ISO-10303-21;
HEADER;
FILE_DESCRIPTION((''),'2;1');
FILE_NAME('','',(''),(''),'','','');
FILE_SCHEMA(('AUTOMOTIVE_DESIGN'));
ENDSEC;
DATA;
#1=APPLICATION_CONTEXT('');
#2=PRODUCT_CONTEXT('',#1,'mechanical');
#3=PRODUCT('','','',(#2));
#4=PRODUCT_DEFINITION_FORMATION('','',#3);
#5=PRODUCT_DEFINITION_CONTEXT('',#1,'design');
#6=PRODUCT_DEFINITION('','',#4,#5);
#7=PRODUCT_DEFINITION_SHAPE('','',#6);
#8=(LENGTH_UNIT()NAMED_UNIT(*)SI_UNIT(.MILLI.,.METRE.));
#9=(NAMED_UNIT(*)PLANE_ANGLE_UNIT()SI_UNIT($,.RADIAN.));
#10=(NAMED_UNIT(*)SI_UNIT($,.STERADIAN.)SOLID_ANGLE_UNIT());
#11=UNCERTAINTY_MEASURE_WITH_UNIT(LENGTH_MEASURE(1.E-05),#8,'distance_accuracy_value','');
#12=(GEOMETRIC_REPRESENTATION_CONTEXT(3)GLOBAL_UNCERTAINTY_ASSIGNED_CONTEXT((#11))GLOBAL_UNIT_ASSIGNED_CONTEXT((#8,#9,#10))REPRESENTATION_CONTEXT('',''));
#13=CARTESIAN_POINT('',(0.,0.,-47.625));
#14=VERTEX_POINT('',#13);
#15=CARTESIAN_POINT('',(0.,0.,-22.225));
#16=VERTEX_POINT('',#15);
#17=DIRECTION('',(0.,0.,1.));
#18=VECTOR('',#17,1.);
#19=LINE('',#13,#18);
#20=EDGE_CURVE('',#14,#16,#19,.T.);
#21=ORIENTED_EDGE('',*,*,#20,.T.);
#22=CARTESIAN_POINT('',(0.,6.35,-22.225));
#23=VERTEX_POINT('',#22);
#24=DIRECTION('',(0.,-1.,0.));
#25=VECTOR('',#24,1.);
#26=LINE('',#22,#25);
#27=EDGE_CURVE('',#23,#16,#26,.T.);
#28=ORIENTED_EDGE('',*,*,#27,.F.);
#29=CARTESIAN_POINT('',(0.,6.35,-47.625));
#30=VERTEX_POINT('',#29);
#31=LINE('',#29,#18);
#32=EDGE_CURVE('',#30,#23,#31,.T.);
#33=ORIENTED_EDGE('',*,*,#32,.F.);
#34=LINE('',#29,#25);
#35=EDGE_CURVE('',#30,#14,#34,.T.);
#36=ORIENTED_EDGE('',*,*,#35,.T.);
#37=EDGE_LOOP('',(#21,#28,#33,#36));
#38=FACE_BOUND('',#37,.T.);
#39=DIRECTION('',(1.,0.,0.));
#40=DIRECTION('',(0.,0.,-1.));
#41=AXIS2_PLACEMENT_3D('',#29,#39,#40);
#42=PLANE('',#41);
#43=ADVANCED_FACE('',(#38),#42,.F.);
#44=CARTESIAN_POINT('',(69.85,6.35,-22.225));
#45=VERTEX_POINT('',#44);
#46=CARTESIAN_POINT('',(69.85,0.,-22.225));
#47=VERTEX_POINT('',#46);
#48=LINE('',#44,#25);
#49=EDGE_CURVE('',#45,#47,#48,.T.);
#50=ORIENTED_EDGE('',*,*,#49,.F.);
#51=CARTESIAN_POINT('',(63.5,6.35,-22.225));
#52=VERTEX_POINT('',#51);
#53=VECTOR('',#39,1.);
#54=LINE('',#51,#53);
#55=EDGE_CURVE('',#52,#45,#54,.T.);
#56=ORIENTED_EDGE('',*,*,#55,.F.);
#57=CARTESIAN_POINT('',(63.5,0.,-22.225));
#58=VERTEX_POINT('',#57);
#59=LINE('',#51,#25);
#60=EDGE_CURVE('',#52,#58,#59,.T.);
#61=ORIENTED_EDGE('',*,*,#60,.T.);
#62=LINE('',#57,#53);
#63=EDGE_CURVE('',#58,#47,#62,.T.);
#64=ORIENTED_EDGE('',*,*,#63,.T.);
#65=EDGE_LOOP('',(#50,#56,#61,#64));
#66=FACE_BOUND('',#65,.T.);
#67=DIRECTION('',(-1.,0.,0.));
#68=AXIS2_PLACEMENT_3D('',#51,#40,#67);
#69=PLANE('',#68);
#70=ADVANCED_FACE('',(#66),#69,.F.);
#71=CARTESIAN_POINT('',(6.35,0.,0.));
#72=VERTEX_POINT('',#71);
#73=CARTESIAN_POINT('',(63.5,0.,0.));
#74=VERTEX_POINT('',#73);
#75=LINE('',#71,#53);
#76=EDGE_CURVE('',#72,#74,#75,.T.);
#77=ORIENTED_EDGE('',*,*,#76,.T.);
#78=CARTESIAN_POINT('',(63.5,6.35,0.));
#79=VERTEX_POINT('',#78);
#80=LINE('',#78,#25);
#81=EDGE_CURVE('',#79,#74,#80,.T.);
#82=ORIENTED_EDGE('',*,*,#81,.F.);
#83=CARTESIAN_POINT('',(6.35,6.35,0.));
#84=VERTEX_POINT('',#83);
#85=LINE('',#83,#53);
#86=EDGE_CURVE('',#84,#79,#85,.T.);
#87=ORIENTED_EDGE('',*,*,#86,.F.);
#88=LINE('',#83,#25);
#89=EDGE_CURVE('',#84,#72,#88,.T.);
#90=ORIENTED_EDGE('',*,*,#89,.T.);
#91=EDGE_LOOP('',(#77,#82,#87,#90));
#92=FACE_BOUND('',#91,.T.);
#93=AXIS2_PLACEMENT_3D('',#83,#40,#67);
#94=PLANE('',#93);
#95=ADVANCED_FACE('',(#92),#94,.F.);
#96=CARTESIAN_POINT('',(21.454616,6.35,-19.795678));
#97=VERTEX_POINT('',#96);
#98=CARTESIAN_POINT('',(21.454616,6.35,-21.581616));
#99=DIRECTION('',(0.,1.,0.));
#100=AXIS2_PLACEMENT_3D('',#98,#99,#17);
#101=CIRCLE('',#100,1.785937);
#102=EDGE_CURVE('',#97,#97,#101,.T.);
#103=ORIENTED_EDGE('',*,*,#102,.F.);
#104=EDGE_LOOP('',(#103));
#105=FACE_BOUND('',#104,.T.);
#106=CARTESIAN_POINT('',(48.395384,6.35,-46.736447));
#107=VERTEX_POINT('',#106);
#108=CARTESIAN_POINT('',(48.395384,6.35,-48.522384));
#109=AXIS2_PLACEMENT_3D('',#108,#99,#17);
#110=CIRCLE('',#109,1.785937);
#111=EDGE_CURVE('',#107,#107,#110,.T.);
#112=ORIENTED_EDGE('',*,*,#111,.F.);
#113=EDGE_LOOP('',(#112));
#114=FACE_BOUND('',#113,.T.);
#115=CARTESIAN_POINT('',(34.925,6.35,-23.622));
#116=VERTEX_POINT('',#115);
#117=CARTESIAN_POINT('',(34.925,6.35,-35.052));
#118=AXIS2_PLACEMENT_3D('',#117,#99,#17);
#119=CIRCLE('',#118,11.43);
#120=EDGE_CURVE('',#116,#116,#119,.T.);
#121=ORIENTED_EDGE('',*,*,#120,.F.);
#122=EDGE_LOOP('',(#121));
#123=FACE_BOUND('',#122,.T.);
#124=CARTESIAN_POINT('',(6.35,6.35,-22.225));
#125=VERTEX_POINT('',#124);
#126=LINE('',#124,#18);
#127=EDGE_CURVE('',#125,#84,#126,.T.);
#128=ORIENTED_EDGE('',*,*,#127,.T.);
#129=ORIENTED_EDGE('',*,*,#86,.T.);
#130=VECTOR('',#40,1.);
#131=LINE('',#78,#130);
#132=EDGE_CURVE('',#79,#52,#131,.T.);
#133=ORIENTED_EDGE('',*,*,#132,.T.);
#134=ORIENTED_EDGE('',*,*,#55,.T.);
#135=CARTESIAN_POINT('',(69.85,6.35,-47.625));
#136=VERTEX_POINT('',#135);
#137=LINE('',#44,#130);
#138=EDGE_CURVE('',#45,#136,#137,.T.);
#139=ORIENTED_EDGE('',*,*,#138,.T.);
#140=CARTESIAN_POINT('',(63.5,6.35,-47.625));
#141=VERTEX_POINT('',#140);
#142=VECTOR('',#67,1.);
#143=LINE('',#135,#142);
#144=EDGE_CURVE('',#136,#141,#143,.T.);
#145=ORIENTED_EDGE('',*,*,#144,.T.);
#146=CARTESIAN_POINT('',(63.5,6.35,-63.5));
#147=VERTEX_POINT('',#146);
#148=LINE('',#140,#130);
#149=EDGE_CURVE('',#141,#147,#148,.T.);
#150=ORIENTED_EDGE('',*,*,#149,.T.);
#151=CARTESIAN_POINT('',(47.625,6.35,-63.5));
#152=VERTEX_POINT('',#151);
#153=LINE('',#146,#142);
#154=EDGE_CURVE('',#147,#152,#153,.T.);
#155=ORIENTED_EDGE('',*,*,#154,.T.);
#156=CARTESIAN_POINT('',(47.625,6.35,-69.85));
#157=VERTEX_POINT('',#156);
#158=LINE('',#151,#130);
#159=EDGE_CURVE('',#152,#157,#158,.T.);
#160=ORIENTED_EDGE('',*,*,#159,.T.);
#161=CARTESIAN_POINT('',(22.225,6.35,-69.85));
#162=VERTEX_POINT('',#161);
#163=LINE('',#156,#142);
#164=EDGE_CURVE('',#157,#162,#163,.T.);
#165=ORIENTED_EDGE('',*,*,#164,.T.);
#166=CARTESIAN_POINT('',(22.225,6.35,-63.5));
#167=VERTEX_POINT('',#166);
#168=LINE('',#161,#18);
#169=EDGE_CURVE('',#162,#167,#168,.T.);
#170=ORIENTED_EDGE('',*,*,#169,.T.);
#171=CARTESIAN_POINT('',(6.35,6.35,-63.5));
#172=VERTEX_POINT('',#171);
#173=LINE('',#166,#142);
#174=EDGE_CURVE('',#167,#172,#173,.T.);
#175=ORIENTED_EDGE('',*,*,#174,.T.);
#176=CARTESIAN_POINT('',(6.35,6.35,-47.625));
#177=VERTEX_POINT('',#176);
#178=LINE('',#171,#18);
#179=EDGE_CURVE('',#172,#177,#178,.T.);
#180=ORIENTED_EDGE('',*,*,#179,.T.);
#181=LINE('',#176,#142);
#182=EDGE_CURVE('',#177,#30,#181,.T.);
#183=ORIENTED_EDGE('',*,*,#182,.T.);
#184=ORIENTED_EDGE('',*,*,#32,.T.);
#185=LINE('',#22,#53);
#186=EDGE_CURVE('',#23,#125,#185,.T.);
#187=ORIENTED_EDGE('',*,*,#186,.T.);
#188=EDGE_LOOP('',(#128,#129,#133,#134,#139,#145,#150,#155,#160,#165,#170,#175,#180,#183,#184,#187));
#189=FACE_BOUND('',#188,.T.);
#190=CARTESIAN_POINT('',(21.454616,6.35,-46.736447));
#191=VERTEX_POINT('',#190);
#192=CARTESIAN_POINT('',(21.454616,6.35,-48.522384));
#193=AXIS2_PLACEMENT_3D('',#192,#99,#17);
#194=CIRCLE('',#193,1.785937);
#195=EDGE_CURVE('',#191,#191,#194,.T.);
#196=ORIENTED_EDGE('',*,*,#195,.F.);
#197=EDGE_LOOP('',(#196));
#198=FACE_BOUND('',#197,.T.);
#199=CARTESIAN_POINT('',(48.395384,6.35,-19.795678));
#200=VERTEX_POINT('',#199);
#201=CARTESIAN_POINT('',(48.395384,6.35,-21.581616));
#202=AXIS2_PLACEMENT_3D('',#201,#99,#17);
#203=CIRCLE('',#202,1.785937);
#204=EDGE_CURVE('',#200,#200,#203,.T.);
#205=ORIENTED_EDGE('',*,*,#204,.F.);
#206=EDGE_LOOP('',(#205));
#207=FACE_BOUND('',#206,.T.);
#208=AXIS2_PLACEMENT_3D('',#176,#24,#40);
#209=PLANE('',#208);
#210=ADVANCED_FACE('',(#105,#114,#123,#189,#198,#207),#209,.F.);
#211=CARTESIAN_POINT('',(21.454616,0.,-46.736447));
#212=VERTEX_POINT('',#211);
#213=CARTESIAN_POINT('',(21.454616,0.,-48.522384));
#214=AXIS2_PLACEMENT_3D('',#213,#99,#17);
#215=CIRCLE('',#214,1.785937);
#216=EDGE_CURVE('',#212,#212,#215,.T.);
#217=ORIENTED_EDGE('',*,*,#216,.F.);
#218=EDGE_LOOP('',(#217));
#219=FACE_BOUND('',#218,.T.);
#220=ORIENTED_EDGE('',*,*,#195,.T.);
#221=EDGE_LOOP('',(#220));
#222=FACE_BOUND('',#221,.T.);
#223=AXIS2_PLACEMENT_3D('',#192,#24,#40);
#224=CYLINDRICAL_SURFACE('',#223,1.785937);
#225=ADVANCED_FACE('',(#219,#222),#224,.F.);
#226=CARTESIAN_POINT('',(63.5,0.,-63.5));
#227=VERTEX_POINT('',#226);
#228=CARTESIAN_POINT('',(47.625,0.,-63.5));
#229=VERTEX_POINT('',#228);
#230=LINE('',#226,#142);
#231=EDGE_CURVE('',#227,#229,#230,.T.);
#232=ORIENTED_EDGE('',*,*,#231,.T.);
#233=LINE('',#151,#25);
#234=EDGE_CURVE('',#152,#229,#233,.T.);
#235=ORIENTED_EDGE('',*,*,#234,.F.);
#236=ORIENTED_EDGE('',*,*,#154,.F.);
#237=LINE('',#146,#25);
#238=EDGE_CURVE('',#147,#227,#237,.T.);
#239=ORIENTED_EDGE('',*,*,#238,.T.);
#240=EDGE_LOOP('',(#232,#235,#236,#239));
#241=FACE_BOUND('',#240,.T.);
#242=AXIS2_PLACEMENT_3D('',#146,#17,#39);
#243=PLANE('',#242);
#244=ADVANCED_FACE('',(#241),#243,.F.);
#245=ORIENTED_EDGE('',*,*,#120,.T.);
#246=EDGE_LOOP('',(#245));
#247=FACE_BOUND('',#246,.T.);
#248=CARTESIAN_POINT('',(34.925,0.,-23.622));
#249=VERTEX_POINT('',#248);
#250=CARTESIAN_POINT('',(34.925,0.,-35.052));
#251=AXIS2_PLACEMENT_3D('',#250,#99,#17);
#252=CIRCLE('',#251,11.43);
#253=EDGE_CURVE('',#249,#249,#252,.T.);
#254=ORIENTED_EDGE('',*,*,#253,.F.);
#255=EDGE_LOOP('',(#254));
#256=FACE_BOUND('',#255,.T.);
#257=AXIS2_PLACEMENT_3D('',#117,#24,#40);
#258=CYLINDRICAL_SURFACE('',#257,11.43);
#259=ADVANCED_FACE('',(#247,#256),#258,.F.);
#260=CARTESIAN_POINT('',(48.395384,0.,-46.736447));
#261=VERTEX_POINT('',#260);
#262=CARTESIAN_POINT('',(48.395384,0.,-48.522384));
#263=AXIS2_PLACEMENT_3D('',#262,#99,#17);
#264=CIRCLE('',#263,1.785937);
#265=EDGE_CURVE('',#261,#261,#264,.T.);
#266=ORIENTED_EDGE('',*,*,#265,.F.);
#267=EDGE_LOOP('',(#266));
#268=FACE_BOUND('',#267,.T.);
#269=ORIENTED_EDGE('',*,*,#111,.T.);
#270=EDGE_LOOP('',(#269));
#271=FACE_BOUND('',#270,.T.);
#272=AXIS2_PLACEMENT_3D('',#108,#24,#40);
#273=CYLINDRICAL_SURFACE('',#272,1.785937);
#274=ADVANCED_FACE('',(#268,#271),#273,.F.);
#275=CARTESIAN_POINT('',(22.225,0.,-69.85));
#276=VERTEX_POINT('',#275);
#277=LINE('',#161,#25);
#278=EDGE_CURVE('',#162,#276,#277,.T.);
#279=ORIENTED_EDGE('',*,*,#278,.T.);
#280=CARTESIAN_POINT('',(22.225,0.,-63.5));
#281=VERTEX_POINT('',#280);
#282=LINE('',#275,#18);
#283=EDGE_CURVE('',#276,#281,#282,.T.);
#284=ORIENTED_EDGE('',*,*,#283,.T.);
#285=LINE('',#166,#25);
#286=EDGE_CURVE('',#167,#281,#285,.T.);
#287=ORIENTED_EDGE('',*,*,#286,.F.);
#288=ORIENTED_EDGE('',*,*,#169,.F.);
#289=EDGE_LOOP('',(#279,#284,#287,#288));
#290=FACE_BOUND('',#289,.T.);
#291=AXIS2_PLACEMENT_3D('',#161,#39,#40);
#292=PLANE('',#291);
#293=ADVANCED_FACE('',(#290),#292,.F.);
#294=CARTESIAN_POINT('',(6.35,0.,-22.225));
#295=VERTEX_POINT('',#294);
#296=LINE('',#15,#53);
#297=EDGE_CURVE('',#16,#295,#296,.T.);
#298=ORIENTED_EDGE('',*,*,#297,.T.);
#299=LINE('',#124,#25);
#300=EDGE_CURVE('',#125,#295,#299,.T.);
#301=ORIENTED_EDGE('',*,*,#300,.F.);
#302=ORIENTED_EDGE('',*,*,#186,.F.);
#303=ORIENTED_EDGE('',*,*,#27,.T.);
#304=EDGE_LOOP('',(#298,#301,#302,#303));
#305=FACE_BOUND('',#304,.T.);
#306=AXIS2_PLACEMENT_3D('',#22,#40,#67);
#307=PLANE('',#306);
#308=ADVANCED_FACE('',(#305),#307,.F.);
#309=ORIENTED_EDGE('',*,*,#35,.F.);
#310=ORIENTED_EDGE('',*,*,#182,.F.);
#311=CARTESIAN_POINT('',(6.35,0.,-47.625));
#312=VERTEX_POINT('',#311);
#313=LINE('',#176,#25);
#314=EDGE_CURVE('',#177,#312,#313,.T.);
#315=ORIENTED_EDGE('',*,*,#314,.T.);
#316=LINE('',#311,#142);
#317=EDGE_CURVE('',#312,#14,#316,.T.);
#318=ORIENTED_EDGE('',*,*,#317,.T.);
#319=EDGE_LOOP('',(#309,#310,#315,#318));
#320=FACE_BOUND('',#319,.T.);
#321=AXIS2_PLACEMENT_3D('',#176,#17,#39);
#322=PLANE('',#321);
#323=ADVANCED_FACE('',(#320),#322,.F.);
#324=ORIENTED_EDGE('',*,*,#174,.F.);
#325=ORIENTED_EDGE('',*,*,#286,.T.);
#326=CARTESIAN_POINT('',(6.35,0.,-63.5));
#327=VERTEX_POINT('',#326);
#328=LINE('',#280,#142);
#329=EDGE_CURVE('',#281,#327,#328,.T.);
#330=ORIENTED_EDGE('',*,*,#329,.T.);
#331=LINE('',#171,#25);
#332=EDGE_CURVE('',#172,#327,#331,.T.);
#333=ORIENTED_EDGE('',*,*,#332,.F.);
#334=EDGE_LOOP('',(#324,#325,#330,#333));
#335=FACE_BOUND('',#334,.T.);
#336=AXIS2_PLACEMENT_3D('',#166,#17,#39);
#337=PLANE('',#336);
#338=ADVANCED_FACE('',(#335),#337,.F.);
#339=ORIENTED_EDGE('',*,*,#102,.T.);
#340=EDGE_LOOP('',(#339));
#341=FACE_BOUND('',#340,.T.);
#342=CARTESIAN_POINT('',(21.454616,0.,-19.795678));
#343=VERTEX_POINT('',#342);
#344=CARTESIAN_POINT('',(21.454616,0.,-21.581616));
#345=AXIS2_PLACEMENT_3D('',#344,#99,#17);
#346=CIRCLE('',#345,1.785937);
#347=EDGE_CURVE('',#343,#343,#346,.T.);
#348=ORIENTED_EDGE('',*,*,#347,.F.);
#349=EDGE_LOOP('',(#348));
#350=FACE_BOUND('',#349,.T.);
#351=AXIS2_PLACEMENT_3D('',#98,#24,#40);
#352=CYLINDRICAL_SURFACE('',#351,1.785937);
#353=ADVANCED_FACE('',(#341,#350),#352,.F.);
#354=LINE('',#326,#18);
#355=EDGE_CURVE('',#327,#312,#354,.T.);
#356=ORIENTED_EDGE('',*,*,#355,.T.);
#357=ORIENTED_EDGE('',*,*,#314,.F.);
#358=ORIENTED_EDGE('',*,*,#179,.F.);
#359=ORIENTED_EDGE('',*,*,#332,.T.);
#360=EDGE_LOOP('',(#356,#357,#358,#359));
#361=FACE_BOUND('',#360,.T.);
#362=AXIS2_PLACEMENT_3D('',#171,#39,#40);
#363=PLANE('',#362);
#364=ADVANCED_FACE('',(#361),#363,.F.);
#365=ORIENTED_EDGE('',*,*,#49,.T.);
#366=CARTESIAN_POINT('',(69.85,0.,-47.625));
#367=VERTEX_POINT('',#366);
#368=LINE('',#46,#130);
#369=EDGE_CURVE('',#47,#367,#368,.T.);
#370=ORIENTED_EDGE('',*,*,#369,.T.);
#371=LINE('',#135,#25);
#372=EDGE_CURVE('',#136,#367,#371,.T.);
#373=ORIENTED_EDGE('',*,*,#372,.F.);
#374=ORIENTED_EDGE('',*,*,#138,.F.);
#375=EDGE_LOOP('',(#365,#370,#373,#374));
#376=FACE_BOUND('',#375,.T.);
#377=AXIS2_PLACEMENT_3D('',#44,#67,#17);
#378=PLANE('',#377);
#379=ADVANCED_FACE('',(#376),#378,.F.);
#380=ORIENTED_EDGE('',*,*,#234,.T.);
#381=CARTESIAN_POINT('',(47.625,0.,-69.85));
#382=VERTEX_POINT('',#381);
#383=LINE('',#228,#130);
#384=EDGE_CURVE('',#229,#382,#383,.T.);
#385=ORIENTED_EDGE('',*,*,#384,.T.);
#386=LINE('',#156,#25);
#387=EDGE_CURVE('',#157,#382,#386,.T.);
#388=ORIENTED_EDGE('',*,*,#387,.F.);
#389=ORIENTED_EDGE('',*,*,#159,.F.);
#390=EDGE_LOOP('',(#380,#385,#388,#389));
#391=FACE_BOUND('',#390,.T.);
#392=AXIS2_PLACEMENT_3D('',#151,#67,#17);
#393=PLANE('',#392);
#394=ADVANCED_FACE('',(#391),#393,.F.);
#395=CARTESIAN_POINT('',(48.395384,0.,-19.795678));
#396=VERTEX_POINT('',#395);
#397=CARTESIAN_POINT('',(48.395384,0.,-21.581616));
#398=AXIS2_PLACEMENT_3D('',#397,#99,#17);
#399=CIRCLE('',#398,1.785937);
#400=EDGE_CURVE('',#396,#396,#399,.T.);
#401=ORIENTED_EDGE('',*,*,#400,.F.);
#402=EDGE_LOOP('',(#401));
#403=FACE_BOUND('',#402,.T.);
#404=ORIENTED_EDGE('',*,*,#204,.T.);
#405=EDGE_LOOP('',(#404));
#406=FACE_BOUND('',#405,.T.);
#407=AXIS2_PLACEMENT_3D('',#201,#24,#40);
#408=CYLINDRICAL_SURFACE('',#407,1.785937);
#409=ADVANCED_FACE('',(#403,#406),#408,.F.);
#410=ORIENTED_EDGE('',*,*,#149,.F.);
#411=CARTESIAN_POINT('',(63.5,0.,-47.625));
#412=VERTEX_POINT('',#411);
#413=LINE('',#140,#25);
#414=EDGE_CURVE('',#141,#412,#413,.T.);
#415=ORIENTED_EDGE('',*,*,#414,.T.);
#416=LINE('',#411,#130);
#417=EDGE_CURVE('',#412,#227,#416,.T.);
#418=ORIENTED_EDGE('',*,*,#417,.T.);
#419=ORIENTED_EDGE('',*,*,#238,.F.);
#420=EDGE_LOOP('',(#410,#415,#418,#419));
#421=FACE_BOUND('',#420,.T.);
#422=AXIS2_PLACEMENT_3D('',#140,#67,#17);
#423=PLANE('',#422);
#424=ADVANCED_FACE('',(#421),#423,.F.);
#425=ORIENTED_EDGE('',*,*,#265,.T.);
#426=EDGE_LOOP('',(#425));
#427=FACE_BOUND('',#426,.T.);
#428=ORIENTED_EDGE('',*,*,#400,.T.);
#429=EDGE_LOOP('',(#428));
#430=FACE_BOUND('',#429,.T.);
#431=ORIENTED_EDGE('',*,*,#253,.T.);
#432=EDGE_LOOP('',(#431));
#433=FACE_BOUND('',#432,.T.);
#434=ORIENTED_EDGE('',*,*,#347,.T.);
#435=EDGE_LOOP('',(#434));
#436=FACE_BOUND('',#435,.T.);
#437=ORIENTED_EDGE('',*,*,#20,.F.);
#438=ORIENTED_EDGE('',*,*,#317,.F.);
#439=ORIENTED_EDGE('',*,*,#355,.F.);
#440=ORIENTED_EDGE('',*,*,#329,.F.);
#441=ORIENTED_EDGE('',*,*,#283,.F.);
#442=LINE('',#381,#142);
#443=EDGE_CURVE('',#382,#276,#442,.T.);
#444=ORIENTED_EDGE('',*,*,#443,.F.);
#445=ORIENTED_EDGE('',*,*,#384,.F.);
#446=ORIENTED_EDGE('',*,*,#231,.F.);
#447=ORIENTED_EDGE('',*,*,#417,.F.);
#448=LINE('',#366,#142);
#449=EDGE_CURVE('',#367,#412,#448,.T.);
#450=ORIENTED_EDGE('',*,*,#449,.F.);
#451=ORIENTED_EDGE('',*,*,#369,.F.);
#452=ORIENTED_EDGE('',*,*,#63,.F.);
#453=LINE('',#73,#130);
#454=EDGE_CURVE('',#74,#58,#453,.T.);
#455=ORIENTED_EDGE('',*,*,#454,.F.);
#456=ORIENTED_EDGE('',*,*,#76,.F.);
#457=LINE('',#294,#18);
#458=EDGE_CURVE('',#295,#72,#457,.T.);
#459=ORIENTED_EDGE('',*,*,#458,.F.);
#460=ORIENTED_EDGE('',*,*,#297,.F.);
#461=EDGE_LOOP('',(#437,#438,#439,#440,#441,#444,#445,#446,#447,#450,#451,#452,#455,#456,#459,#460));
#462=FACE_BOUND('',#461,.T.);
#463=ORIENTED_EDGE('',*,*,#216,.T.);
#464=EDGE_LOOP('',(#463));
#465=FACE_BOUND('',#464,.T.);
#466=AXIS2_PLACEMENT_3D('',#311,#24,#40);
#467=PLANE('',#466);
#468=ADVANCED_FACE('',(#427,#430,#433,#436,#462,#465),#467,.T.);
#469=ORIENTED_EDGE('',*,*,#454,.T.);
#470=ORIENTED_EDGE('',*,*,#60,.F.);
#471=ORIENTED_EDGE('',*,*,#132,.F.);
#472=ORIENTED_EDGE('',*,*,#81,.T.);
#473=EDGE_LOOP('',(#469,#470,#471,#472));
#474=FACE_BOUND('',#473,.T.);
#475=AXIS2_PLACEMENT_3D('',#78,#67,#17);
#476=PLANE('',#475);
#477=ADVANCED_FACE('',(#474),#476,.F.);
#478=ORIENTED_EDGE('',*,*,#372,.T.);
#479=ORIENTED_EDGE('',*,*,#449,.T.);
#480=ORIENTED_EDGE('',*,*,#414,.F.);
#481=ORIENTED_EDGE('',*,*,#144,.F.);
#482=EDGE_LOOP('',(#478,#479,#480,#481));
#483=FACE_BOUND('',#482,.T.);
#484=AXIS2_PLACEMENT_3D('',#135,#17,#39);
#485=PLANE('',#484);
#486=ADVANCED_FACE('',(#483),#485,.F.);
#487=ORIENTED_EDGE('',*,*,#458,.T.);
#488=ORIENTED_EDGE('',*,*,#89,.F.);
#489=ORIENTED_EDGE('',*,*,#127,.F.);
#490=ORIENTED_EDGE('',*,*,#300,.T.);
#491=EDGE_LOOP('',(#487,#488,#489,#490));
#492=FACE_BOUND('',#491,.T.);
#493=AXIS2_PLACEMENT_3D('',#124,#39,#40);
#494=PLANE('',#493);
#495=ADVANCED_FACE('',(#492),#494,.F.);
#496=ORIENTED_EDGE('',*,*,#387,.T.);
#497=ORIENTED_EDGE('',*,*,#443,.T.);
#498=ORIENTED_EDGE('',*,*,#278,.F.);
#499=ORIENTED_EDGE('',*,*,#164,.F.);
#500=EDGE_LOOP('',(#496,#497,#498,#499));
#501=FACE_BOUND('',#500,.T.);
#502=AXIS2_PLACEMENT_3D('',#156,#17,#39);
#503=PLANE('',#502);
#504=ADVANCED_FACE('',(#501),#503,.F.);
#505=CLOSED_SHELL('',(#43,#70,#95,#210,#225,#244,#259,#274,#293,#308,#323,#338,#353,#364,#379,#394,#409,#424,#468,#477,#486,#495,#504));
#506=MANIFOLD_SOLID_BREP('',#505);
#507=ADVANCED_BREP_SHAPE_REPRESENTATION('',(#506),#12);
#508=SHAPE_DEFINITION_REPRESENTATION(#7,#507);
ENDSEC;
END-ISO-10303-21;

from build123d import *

# Parameters (mm, degrees)
SKETCH1_R      = 11.43
SKETCH1_R_2    = 1.7859375
EXTRUDE1_DEPTH = 6.35


with BuildPart() as part:
    # Sketch1 → Extrude1 (new body)
    with BuildSketch(Plane(origin=(0, 0, 0), x_dir=(1, 0, 0), z_dir=(0, 1, 0))):
        Polygon((6.35, 47.625), (0, 47.625), (0, 22.225), (6.35, 22.225), (6.35, 0), (63.5, 0), (63.5, 22.225), (69.85, 22.225), (69.85, 47.625), (63.5, 47.625), (63.5, 63.5), (47.625, 63.5), (47.625, 69.85), (22.225, 69.85), (22.225, 63.5), (6.35, 63.5), align=None)
        with Locations(Location((34.925, 35.052, 0), (0, 0, 270))):
            Circle(SKETCH1_R, mode=Mode.SUBTRACT)
        with Locations(Location((21.454615818, 48.522384182, 0), (0, 0, 270))):
            Circle(SKETCH1_R_2, mode=Mode.SUBTRACT)
        with Locations(Location((48.395384182, 48.522384182, 0), (0, 0, 270))):
            Circle(SKETCH1_R_2, mode=Mode.SUBTRACT)
        with Locations(Location((48.395384182, 21.581615818, 0), (0, 0, 270))):
            Circle(SKETCH1_R_2, mode=Mode.SUBTRACT)
        with Locations(Location((21.454615818, 21.581615818, 0), (0, 0, 270))):
            Circle(SKETCH1_R_2, mode=Mode.SUBTRACT)
    extrude(amount=EXTRUDE1_DEPTH)


solid = part.part
